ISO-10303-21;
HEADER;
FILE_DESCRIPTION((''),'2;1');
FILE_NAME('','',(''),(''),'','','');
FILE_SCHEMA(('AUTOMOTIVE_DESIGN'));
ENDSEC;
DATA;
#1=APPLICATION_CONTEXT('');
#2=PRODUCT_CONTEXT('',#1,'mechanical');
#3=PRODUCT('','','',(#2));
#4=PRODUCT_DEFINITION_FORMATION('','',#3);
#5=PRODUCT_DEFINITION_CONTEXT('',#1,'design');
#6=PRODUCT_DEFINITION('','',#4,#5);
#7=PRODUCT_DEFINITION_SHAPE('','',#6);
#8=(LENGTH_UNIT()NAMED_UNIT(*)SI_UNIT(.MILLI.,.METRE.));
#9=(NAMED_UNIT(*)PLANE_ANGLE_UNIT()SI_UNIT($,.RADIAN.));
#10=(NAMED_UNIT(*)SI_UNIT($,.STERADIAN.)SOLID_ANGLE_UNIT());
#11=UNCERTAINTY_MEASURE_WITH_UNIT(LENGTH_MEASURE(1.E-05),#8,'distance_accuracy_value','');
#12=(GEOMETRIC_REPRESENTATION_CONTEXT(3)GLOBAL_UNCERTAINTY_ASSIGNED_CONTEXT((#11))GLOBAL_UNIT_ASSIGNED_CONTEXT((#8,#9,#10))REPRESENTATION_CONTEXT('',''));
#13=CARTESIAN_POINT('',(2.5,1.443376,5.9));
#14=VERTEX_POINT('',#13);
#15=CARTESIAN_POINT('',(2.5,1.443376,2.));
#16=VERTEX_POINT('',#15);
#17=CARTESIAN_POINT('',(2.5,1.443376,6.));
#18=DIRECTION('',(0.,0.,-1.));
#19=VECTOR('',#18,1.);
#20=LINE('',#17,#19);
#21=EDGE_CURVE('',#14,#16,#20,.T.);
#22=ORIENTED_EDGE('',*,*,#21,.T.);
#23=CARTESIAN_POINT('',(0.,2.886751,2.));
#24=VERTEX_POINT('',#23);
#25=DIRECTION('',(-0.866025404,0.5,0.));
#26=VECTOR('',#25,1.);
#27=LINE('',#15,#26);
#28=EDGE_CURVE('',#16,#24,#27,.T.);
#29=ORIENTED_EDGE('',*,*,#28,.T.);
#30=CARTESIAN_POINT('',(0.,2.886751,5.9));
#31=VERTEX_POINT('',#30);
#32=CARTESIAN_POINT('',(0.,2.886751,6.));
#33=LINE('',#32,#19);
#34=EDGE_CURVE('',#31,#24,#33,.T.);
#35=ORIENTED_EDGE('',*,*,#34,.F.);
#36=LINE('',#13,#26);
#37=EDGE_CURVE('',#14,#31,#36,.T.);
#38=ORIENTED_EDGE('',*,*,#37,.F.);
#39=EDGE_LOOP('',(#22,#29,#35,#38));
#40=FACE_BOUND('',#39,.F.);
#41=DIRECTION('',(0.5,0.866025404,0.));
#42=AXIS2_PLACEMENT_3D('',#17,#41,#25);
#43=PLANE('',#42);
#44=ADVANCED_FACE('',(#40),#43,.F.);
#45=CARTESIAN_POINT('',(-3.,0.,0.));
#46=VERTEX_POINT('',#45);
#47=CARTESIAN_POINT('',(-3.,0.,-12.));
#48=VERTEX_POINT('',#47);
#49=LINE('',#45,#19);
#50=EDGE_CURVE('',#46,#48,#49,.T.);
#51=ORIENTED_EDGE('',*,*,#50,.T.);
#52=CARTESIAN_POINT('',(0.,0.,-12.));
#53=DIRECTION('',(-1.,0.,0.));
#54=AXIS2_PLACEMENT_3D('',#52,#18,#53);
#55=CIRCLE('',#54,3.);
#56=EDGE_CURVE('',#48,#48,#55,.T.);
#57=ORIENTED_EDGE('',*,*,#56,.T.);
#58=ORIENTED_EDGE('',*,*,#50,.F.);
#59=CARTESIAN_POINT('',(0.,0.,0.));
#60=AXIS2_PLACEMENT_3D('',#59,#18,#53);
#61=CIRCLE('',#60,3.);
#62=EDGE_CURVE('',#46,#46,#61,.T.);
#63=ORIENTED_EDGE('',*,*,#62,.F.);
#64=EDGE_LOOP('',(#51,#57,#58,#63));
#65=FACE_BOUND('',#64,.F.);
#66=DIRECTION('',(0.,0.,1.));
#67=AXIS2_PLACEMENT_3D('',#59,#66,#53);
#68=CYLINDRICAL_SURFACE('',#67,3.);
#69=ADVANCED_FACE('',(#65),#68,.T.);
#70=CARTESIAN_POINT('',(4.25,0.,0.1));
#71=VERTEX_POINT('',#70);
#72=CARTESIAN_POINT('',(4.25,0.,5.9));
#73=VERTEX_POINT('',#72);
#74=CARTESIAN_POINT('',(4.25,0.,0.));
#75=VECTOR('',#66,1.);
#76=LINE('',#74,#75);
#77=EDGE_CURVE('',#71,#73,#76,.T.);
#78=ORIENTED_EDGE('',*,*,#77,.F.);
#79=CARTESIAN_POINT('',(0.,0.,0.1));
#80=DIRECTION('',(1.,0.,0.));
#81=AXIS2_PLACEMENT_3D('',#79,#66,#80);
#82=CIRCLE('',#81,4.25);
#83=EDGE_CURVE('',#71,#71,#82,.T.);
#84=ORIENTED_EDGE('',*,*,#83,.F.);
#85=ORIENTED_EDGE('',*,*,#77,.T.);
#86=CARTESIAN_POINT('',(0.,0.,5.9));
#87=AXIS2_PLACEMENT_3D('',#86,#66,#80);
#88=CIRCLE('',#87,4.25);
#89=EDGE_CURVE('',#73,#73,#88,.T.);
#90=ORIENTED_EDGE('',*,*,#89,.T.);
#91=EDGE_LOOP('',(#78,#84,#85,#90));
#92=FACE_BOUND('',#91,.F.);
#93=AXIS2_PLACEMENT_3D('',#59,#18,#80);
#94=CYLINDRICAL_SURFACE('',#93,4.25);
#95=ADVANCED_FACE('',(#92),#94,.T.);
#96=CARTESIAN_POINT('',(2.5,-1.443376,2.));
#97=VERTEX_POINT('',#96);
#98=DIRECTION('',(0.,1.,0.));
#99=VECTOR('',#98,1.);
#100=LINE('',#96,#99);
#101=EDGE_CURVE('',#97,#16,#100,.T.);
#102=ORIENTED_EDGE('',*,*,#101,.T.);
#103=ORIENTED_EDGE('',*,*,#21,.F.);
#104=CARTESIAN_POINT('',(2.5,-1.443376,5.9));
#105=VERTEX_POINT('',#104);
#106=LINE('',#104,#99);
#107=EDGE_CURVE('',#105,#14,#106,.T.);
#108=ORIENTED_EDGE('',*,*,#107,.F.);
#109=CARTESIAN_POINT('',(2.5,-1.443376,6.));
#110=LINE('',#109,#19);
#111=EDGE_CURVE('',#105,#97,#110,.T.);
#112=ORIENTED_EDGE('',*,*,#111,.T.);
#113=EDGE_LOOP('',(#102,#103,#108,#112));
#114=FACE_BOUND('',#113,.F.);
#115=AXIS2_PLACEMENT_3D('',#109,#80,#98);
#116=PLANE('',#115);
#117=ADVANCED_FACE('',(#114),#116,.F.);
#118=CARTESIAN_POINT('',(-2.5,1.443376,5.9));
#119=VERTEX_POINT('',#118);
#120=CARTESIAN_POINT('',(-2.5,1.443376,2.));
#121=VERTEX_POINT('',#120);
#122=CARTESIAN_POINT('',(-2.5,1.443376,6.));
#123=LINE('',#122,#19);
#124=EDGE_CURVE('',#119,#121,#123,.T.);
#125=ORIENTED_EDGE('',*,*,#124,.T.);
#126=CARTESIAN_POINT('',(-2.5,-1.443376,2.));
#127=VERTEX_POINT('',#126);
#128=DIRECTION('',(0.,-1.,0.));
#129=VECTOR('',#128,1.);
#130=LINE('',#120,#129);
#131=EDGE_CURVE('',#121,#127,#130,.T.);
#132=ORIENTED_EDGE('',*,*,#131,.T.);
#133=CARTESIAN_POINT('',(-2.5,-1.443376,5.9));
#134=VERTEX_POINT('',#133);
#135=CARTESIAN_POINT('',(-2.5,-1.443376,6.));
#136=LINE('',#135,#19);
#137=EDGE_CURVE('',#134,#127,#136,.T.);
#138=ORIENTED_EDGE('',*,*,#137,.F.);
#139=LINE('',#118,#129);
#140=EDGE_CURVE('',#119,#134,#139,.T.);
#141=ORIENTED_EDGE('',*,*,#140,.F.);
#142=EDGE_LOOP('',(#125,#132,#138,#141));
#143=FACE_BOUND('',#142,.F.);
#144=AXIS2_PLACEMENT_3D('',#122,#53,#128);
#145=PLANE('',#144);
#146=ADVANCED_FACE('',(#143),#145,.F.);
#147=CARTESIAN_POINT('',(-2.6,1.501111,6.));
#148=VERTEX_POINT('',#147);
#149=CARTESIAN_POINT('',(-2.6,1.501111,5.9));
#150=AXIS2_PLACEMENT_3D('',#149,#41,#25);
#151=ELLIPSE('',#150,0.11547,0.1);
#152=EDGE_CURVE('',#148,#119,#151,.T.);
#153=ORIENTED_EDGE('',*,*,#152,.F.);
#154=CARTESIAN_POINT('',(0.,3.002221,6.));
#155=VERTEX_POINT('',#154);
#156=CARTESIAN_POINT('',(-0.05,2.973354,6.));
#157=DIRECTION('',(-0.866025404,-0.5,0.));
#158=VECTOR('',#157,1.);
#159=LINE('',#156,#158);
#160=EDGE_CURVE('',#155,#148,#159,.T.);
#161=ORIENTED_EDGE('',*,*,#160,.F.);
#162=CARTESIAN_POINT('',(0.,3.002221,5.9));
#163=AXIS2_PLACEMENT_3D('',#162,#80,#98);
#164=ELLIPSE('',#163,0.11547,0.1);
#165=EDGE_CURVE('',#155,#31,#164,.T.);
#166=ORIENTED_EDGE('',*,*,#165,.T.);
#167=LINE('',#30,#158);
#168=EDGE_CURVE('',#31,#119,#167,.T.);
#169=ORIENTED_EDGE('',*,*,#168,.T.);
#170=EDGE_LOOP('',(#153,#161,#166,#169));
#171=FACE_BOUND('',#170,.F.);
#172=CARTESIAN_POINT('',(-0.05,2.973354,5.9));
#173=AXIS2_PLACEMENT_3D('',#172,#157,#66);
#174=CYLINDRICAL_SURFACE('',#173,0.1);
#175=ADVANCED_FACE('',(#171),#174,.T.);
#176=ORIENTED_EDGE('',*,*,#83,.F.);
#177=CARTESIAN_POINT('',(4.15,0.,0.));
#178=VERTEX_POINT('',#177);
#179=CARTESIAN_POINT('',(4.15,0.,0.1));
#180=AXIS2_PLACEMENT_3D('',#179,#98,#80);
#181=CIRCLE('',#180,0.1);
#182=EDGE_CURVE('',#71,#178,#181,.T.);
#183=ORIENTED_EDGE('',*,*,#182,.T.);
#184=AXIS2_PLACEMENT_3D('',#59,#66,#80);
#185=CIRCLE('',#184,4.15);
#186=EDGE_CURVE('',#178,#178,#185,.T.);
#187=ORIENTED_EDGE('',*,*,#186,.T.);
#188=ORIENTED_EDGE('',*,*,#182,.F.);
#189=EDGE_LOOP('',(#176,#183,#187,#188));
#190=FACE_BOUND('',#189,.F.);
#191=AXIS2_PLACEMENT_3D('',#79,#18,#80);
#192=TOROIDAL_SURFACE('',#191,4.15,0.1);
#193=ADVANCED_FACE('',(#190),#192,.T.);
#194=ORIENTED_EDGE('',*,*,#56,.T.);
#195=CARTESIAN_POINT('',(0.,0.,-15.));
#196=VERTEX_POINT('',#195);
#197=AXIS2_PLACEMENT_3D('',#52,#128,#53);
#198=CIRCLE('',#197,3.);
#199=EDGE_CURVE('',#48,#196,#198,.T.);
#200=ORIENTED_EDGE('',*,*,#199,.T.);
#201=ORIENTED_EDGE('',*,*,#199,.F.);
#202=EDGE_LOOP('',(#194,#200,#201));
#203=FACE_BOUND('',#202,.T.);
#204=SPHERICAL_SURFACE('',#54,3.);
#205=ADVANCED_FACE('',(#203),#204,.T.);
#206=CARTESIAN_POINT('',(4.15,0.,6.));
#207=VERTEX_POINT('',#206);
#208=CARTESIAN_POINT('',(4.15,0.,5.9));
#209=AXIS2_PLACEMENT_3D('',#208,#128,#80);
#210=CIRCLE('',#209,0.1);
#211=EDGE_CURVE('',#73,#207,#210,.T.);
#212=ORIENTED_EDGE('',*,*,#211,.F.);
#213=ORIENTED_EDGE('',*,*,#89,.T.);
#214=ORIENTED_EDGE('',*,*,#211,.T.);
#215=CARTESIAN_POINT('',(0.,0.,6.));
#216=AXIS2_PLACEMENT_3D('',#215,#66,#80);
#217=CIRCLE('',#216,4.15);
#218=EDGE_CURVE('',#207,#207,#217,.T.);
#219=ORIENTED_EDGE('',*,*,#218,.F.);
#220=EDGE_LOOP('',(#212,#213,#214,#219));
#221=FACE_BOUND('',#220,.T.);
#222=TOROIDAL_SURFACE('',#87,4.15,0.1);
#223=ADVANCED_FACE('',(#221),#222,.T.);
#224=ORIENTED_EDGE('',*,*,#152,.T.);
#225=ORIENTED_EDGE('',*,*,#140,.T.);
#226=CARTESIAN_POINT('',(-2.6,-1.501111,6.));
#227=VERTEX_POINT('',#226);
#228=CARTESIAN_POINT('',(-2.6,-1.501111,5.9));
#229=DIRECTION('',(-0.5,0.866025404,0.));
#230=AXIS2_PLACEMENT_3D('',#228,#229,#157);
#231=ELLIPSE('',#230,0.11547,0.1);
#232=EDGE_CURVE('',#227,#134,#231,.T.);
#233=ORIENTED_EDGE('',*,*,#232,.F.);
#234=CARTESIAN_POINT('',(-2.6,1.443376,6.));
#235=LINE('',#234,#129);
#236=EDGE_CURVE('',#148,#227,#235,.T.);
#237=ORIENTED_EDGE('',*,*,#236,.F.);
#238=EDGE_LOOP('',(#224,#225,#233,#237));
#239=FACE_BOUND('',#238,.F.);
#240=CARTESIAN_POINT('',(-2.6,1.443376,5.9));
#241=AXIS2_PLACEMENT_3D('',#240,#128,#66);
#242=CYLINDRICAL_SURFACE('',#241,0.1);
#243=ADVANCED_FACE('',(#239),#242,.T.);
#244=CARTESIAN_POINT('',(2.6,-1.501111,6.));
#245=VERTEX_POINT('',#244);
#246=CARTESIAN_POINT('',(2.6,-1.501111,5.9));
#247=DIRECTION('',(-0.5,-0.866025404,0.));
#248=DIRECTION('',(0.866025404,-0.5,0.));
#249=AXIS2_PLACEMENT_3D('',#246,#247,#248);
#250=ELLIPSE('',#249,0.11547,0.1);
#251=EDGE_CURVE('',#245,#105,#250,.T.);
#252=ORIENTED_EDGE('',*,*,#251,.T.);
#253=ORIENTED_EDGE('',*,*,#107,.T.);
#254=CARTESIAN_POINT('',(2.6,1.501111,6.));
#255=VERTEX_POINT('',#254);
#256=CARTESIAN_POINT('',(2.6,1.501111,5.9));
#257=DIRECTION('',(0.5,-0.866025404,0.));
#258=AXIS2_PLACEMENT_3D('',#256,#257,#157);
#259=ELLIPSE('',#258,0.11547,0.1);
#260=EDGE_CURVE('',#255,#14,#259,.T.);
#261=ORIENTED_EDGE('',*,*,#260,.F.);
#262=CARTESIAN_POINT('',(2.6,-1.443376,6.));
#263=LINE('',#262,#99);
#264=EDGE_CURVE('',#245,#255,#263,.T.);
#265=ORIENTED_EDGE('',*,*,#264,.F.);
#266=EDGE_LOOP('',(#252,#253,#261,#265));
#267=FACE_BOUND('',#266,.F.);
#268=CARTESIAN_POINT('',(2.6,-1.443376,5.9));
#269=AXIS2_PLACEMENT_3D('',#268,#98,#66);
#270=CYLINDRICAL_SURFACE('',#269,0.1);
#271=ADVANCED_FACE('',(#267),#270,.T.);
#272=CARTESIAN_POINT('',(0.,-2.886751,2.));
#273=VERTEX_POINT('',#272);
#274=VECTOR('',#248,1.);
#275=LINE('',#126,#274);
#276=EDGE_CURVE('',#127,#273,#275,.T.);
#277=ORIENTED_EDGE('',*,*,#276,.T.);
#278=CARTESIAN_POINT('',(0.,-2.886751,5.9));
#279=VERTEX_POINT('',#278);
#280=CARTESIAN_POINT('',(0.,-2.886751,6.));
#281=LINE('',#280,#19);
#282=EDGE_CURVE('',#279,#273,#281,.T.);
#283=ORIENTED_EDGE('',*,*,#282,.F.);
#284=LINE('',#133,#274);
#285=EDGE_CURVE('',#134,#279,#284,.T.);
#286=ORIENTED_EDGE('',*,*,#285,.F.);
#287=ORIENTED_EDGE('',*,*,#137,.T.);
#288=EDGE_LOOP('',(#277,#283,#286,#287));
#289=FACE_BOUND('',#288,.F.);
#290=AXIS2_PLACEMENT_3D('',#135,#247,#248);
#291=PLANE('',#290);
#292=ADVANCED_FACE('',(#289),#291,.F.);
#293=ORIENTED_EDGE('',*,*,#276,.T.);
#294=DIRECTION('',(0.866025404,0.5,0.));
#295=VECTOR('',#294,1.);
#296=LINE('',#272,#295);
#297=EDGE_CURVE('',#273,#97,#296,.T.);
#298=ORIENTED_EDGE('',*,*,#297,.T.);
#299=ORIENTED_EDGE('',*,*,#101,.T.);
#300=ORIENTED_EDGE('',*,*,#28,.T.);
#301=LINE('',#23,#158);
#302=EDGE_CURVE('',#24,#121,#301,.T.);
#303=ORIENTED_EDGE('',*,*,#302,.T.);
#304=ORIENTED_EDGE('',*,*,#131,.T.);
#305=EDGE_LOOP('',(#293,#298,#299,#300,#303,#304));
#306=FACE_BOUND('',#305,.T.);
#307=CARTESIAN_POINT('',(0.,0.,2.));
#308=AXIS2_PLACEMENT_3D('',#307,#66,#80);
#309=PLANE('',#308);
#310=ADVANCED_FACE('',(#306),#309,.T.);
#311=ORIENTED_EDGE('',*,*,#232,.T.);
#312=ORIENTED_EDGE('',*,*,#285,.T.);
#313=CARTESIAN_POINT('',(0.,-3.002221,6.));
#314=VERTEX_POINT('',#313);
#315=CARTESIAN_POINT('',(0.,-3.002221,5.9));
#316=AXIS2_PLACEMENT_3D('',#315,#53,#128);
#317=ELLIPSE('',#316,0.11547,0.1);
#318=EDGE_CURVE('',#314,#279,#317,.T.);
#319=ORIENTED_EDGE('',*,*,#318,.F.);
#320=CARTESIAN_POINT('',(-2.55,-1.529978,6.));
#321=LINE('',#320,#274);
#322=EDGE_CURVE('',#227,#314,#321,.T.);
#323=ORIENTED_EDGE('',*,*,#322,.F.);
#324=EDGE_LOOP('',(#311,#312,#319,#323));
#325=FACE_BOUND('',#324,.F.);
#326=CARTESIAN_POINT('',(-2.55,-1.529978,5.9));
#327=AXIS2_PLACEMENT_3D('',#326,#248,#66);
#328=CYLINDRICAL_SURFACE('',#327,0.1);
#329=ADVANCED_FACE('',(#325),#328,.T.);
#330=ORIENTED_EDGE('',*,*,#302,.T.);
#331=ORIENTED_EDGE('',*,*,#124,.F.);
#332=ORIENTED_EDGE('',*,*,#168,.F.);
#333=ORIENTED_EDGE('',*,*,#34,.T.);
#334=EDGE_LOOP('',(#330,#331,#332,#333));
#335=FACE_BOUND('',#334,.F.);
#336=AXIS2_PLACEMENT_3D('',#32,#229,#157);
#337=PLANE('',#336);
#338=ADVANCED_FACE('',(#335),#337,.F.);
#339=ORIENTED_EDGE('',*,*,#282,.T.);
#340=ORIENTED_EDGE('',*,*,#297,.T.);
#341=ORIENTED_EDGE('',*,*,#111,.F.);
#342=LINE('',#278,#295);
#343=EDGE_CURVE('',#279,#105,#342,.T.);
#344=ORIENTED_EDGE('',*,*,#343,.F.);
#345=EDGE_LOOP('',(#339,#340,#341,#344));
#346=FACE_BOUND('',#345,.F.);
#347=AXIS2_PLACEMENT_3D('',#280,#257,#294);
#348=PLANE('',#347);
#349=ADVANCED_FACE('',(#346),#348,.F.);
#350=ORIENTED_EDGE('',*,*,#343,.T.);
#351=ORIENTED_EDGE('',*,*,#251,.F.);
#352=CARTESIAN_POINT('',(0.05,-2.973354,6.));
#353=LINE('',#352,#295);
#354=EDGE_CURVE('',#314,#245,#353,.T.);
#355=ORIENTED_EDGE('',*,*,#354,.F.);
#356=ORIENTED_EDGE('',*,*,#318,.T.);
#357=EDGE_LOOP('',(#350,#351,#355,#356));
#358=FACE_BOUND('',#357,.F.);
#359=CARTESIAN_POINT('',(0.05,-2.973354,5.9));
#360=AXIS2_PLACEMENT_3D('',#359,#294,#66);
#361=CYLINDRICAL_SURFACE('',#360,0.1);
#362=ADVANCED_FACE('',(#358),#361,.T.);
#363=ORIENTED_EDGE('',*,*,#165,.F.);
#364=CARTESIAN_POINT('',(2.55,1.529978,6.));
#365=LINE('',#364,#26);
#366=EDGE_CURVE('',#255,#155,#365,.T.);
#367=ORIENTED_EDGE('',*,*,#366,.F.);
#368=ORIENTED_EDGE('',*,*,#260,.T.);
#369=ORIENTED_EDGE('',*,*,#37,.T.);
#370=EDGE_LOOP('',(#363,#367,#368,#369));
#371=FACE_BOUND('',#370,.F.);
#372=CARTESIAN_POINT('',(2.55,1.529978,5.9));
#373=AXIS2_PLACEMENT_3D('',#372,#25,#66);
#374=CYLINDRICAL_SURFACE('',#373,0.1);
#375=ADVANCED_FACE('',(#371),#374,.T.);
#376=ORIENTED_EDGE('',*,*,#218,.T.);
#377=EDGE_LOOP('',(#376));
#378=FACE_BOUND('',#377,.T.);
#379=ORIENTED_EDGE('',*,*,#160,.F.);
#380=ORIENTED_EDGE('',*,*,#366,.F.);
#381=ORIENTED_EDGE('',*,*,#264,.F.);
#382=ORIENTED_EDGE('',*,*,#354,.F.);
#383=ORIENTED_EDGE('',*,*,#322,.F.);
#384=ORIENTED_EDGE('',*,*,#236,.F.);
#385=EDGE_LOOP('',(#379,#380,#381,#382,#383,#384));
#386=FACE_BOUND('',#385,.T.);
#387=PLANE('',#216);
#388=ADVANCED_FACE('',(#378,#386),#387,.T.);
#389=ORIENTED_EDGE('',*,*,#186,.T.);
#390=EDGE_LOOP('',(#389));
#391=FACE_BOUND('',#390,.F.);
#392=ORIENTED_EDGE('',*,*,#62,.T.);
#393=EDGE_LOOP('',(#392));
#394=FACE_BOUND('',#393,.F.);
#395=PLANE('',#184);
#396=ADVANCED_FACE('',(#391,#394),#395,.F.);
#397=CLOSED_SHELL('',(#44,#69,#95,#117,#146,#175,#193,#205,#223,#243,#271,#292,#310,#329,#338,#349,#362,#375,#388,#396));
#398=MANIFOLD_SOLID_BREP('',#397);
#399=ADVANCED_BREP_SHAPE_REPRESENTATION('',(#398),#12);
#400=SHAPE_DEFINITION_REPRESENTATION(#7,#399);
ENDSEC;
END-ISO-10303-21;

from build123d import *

# Parameters (mm, degrees)
SKETCH1_R           = 4.25
BOSS_EXTRUDE1_DEPTH = 6
CUT_EXTRUDE1_DEPTH  = 4
SKETCH3_R           = 3
BOSS_EXTRUDE2_DEPTH = 15
FILLET1_R           = 0.1
FILLET2_R           = 3


with BuildPart() as part:
    # Sketch1 → Boss-Extrude1 (new body)
    with BuildSketch(Plane.XY):
        Circle(SKETCH1_R)
    extrude(amount=BOSS_EXTRUDE1_DEPTH)

    # Sketch2 → Cut-Extrude1 (cut)
    with BuildSketch(Plane.XY.offset(6)):
        Polygon((0, 2.886751346), (-2.5, 1.443375673), (-2.5, -1.443375673), (0, -2.886751346), (2.5, -1.443375673), (2.5, 1.443375673), align=None)
    extrude(amount=-CUT_EXTRUDE1_DEPTH, mode=Mode.SUBTRACT)

    # Sketch3 → Boss-Extrude2 (add)
    with BuildSketch(Plane(origin=(0, 0, 0), x_dir=(-1, 0, 0), z_dir=(0, 0, -1))):
        Circle(SKETCH3_R)
    extrude(amount=BOSS_EXTRUDE2_DEPTH)

    # Fillet1
    fillet1_edges = [part.edges().sort_by_distance(p)[0] for p in [
        (1.25, 2.165063509, 6),
        (-1.25, 2.165063509, 6),
        (-2.5, 0, 6),
        (-1.25, -2.165063509, 6),
        (1.25, -2.165063509, 6),
        (2.5, 0, 6),
        (-4.25, 0, 0),
        (-4.25, 0, 6),
    ]]
    fillet(fillet1_edges, radius=FILLET1_R)

    # Fillet2
    fillet2_edges = [part.edges().sort_by_distance(p)[0] for p in [
        (3, 0, -15),
    ]]
    fillet(fillet2_edges, radius=FILLET2_R)


solid = part.part
